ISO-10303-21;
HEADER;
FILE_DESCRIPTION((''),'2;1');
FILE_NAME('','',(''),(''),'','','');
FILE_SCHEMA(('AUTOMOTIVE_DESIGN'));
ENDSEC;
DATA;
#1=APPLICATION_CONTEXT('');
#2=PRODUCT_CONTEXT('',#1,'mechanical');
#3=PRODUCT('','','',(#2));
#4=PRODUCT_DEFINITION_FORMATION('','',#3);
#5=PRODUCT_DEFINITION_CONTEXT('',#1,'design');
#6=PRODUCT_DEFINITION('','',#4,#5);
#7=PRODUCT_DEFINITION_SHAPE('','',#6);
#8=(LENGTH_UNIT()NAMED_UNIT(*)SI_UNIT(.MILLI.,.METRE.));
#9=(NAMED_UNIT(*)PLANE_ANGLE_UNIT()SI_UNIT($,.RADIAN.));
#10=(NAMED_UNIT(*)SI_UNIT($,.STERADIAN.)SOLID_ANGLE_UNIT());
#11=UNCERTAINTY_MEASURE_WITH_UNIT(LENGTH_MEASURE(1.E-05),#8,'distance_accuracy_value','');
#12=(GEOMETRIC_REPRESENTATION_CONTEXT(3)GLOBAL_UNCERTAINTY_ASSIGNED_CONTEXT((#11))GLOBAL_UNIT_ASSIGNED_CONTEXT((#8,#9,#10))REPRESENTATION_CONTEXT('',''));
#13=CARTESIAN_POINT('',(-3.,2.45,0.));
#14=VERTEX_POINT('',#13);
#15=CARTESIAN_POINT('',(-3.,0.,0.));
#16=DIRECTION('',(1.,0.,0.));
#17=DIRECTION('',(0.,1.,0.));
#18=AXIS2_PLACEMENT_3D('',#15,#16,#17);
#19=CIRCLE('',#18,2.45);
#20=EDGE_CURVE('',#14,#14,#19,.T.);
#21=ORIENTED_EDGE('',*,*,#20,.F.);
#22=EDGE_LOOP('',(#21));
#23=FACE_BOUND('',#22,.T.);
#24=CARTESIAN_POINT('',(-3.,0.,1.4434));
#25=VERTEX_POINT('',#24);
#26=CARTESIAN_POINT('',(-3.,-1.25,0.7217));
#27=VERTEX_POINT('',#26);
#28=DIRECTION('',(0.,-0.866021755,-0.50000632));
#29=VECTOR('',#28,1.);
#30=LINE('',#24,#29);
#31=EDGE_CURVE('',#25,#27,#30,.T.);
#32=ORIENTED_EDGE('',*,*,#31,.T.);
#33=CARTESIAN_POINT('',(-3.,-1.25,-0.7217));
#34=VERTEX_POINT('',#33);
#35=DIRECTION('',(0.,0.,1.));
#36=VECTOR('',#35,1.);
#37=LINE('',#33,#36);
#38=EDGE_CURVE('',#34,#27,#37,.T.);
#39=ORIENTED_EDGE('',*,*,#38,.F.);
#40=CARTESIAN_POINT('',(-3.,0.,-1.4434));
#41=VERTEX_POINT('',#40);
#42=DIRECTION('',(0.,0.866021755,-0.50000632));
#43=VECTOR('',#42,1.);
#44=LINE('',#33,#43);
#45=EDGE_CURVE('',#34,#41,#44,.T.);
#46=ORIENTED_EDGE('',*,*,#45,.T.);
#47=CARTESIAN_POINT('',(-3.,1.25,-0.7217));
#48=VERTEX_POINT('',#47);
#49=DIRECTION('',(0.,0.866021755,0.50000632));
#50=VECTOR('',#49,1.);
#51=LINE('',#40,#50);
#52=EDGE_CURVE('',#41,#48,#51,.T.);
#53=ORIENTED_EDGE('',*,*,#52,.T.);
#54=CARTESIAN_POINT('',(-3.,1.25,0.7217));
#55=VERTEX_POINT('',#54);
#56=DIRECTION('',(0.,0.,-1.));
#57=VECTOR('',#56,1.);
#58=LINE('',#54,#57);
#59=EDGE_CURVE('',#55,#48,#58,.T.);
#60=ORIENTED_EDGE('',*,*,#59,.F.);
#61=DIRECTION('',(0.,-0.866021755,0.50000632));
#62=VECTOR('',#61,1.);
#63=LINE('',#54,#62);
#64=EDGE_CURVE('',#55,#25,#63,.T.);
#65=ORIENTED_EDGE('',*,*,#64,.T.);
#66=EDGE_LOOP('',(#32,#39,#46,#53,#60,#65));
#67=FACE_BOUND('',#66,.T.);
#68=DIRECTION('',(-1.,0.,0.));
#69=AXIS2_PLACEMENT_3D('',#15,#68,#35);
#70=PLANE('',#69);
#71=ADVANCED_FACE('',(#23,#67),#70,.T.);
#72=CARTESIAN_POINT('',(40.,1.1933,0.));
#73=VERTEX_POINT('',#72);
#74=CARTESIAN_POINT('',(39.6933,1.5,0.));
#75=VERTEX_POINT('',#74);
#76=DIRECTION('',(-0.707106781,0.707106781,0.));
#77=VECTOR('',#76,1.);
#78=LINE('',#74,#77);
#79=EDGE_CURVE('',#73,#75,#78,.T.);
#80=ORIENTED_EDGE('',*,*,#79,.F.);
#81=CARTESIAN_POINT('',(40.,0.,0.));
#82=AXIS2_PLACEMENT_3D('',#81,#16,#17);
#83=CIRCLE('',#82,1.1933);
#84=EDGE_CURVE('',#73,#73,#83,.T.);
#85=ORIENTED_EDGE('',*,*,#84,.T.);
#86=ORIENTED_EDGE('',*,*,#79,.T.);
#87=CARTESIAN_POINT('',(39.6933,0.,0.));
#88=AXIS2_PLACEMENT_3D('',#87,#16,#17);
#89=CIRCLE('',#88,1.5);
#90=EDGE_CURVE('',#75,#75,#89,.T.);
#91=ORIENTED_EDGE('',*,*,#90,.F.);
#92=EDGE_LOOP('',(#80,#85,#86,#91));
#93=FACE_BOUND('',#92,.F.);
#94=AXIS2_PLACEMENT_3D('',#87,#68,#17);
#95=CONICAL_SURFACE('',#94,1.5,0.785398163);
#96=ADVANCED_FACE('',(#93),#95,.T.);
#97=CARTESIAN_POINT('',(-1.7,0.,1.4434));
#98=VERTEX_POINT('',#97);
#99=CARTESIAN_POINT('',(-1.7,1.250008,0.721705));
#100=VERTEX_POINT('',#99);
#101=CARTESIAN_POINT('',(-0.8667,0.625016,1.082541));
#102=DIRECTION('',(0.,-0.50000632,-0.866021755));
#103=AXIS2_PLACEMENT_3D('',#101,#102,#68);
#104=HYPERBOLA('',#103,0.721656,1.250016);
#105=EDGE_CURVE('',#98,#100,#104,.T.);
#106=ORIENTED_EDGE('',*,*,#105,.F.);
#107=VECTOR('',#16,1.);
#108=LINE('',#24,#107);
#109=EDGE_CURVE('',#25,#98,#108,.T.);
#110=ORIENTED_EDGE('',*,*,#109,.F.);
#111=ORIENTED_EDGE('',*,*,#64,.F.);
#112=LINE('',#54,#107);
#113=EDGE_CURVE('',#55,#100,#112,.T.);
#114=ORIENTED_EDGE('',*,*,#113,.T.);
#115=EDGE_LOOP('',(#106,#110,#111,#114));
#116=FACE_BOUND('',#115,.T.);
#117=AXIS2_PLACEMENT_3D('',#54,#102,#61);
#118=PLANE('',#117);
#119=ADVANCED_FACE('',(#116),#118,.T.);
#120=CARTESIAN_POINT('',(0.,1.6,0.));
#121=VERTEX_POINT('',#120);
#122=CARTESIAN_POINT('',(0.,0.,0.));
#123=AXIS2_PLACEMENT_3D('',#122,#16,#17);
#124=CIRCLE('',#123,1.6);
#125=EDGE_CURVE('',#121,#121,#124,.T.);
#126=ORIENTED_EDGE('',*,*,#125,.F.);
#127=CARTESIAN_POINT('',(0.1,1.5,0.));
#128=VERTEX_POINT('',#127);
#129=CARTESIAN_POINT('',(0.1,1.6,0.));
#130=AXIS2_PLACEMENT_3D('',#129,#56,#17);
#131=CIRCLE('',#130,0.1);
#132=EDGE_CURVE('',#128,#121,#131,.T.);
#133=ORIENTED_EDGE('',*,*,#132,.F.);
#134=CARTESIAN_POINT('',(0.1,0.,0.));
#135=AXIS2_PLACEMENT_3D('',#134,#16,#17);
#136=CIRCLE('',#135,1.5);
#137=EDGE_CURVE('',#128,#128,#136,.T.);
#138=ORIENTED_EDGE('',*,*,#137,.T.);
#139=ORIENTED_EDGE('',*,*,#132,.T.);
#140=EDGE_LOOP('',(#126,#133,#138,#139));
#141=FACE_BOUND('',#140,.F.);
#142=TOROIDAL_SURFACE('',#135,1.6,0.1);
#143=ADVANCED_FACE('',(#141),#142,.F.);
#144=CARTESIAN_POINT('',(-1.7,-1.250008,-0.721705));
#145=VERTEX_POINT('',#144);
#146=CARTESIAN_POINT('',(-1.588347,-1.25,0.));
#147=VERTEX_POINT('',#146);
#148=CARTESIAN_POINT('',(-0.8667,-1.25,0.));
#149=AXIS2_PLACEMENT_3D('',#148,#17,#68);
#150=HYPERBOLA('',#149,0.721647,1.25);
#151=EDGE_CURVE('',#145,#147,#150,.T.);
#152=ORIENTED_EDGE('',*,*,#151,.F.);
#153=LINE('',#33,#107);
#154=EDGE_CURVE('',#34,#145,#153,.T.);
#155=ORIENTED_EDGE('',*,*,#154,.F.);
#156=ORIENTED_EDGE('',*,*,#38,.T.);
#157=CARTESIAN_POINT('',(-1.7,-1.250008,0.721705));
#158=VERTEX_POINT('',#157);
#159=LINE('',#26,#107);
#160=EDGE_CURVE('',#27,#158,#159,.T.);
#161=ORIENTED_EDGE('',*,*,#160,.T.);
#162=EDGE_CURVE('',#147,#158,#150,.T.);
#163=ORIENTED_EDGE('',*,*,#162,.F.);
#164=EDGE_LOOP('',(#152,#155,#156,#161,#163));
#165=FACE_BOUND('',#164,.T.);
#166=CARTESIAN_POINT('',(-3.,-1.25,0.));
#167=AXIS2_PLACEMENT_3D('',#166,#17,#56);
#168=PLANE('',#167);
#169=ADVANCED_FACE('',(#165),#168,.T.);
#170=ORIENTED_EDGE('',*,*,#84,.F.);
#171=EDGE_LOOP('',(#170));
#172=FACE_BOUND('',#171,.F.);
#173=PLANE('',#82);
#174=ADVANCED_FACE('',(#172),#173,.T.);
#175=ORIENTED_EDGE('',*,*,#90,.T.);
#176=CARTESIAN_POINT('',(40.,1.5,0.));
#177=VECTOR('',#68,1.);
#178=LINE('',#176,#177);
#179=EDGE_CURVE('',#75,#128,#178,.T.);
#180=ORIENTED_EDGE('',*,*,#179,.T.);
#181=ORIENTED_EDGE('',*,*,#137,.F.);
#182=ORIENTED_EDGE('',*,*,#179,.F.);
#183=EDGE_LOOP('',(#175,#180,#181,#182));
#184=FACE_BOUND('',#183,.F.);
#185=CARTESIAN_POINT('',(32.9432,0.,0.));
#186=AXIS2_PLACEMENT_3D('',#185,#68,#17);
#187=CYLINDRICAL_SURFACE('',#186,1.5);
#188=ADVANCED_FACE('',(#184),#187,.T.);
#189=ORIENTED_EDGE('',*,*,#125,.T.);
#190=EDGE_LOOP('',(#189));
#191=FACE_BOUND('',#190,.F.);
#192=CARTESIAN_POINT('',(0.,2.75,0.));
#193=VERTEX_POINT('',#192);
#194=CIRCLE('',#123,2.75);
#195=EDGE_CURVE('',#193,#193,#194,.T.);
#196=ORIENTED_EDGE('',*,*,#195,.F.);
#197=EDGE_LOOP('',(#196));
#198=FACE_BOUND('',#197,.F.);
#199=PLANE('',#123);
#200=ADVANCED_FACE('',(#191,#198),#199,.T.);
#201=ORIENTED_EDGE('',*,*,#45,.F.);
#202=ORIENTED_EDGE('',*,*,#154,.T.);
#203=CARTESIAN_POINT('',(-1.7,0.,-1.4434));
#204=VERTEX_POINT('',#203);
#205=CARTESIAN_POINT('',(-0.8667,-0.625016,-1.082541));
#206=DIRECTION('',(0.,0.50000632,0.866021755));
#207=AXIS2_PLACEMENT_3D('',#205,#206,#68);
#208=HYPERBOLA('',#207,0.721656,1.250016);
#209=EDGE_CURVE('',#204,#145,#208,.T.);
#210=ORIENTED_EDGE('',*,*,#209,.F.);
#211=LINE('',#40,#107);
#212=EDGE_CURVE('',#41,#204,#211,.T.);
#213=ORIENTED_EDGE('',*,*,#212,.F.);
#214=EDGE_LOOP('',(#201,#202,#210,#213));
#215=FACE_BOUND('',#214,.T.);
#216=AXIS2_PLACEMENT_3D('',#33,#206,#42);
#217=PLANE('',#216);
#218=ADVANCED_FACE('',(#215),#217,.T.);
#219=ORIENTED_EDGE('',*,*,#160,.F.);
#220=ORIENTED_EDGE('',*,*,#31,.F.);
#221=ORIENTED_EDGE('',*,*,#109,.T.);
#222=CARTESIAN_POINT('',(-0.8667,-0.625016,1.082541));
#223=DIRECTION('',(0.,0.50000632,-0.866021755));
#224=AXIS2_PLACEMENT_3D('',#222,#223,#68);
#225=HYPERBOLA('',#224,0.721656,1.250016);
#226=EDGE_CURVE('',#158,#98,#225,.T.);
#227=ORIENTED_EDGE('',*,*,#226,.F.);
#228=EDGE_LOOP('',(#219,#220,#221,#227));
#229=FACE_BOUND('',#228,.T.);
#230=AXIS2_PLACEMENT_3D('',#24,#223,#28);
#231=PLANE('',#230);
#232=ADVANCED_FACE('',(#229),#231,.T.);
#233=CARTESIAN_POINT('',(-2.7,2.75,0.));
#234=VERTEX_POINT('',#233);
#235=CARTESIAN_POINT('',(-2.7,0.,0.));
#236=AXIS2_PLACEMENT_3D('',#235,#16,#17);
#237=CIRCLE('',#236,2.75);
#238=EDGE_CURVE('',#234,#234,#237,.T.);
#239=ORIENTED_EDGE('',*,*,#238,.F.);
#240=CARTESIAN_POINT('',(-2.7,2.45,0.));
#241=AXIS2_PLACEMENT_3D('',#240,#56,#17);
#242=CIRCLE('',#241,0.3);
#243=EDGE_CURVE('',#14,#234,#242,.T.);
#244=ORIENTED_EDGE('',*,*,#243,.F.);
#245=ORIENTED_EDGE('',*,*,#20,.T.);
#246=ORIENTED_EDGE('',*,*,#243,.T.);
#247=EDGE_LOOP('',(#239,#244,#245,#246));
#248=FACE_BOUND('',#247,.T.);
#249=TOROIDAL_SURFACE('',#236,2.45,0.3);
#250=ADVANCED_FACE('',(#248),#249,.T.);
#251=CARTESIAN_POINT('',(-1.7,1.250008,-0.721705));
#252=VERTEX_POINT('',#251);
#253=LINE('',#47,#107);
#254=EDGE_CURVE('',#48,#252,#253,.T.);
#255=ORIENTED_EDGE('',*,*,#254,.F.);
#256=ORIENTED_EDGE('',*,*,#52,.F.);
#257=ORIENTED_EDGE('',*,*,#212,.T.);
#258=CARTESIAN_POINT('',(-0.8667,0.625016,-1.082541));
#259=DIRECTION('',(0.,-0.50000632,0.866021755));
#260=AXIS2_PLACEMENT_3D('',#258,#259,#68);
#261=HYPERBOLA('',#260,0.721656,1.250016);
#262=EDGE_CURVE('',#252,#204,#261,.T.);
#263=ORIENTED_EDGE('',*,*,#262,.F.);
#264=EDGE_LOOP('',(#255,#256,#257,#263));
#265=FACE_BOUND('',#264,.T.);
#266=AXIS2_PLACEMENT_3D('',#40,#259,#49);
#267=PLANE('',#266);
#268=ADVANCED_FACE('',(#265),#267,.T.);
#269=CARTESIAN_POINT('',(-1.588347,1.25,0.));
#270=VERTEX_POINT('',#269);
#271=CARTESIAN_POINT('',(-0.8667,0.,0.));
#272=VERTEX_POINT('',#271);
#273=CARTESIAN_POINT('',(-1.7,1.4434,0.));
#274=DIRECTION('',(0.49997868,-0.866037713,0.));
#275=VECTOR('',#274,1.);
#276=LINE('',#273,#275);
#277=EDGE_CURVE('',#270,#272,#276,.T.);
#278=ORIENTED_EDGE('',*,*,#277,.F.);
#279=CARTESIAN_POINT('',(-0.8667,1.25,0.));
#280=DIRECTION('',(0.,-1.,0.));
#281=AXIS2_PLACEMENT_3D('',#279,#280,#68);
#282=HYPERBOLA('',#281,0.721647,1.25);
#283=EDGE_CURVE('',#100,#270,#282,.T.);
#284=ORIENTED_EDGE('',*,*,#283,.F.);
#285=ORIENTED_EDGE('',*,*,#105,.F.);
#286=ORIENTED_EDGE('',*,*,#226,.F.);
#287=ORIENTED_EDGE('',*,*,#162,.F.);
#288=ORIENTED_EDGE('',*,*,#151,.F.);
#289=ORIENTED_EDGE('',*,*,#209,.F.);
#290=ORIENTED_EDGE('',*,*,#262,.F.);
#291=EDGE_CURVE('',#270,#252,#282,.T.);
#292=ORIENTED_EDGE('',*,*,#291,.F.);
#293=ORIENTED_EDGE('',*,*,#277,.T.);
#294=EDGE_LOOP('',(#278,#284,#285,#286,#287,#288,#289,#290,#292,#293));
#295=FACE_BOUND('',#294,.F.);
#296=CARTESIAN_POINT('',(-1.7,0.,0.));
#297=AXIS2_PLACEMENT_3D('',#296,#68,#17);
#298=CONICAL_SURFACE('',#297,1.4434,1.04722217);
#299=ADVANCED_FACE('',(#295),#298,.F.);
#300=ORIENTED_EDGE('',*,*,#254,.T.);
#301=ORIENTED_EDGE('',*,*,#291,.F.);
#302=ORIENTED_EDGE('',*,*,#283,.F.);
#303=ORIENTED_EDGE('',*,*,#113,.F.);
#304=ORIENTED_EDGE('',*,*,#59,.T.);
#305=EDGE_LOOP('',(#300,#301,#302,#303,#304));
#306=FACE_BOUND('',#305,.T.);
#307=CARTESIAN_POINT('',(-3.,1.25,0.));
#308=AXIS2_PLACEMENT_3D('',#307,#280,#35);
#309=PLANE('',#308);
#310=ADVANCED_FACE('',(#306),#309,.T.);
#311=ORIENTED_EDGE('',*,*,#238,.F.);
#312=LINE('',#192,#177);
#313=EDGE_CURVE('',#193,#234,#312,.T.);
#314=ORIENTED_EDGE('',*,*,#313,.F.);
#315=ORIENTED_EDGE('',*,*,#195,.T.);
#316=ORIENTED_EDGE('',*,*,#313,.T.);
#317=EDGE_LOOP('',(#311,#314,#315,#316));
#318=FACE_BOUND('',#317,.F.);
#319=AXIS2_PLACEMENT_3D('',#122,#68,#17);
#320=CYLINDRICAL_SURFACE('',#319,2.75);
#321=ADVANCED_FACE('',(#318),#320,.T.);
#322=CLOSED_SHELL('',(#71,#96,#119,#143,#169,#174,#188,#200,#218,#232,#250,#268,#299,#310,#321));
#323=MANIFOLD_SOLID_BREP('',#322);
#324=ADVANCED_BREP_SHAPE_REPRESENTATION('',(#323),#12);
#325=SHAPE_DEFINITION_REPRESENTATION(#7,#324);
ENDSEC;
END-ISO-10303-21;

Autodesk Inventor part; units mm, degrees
ref_plane "YZ Plane" through (0, 0, 0) normal (1, 0, 0) x (0, 1, 0)
ref_plane "XZ Plane" through (0, 0, 0) normal (0, 1, 0) x (-1, 0, 0)
sketch "Sketch1" plane through (0, 0, 0) normal (0, 0, 1) x (1, 0, 0)
  line L0 (-0.8667, 0) -> (40, 0)
  line L1 (40, 0) -> (40, 1.5)
  line L2 (40, 1.5) -> (33.25, 1.5)
  line L3 (33.25, 1.5) -> (32.9432, 1.5)
  line L4 (32.9432, 1.5) -> (0, 1.5)
  line L5 (0, 1.5) -> (0, 2.75)
  line L6 (0, 2.75) -> (-3, 2.75)
  line L7 (-3, 2.75) -> (-3, 1.4434)
  line L8 (-3, 1.4434) -> (-1.7, 1.4434)
  line L9 (-1.7, 1.4434) -> (-0.8667, 0)
  line L10 (-11.6, 0) -> (48.6, 0) projected
  line L11 (0, -0.55) -> (0, 3.3) projected
  line L12 (33.25, 1.5) -> (0, 1.5) construction
  dimension "d1" = 6.75
  dimension "d2" = 0.3068
  dimension "d3" = 3
  dimension "d4" = 1.3
  dimension "d5" = 60
  dimension "d6" = 3
  dimension "d7" = 3
  dimension "d8" = 2.8868
  dimension "d9" = 5.5
  dimension "d26" = 40
revolve "Body" add sketch "Sketch1" angle 360 about axis through (-0.8667, 0, 0) along (1, 0, 0)
sketch "Sketch2" plane through (-3, 0, 0) normal (-1, 0, 0) x (0, 0, 1)
  circle A0 centre (0, 0) radius 1.4434 projected
  line L0 (0, -3.85) -> (0, 3.85) projected
  line L1 (-3.85, 0) -> (3.85, 0) projected
  line L2 (1.4434, 0) -> (0.7217, -1.25)
  line L3 (0.7217, -1.25) -> (-0.7217, -1.25)
  line L4 (-0.7217, -1.25) -> (-1.4434, 0)
  line L5 (-1.4434, 0) -> (-0.7217, 1.25)
  line L6 (-0.7217, 1.25) -> (0.7217, 1.25)
  line L7 (0.7217, 1.25) -> (1.4434, 0)
extrude "Slot" add sketch "Sketch2" against normal up to next contours L7 A0 | A0 L2 | L6 L0 A0 | A0 L0 L3 | L0 L6 A0 | A0 L3 L0 | L4 A0 | A0 L5
fillet "Fillet1" radius 0.3 1 edges at (-3, -2.75, 0)
thread "Thread" size "M3x0.5" class "6g" standard "ISO Metric profile" length 6.75
chamfer "Chamfer1" distance 0.3067 distance2 0.3067 1 edges at (40, -1.5, 0) measured on face at (40, -0.1088, 0.5667)
ref_plane "Work Plane1" through (29, 0, 0) normal (0, -1, 0) x (1, 0, 0)
fillet "Fillet2" radius 0.1 1 edges at (0, -1.5, 0)
equation "\"d1\" = GEL"
equation "\"d3\" = KOH"
equation "\"d4\" = INTI"
equation "\"d6\" = GD"
equation "\"d7\" = BDM"
equation "\"d8\" = 1.1547 * SW"
equation "\"d9\" = KOD"
equation "\"d30\" = R"
equation "\"d17\" = RR"
equation "\"d13\" = GEL"
equation "\"d15\" = -0.5 * SPD + 0.5 * GD"
equation "\"d16\" = GUL"
equation "\"GD\" = NND"
equation "\"NLG\" = 8"
equation "\"GEL\" = 6.75"
equation "\"KOD\" = 5.5"
equation "\"KOH\" = NND"
equation "\"INTI\" = 1.3"
equation "\"GAL\" = 0.61345 * PTC"
equation "\"GUL\" = 0.61345 * PTC"
equation "\"BDM\" = NND"
equation "\"SW\" = 2.5"
equation "\"RR\" = 0.1 * NND"
equation "\"SPD\" = NND - 1.2269 * PTC"
equation "\"R\" = 0.1"
equation "\"PHH\" = 0.13"
equation "\"GD1\" = THREADDIA - 1.2269 * PTC"
equation "\"THREADDIA\" = 3"
equation "\"FAWI\" = 45deg"
equation "\"PTC\" = 0.5"
equation "\"KOH1\" = 2.7"
equation "\"NND\" = 3"
equation "\"TOA\" = 30deg"
equation "\"E0\" = 1.155 * SW"
properties part number "AS 1420 - 1973 - M3 x 8" material "Steel, Mild"
